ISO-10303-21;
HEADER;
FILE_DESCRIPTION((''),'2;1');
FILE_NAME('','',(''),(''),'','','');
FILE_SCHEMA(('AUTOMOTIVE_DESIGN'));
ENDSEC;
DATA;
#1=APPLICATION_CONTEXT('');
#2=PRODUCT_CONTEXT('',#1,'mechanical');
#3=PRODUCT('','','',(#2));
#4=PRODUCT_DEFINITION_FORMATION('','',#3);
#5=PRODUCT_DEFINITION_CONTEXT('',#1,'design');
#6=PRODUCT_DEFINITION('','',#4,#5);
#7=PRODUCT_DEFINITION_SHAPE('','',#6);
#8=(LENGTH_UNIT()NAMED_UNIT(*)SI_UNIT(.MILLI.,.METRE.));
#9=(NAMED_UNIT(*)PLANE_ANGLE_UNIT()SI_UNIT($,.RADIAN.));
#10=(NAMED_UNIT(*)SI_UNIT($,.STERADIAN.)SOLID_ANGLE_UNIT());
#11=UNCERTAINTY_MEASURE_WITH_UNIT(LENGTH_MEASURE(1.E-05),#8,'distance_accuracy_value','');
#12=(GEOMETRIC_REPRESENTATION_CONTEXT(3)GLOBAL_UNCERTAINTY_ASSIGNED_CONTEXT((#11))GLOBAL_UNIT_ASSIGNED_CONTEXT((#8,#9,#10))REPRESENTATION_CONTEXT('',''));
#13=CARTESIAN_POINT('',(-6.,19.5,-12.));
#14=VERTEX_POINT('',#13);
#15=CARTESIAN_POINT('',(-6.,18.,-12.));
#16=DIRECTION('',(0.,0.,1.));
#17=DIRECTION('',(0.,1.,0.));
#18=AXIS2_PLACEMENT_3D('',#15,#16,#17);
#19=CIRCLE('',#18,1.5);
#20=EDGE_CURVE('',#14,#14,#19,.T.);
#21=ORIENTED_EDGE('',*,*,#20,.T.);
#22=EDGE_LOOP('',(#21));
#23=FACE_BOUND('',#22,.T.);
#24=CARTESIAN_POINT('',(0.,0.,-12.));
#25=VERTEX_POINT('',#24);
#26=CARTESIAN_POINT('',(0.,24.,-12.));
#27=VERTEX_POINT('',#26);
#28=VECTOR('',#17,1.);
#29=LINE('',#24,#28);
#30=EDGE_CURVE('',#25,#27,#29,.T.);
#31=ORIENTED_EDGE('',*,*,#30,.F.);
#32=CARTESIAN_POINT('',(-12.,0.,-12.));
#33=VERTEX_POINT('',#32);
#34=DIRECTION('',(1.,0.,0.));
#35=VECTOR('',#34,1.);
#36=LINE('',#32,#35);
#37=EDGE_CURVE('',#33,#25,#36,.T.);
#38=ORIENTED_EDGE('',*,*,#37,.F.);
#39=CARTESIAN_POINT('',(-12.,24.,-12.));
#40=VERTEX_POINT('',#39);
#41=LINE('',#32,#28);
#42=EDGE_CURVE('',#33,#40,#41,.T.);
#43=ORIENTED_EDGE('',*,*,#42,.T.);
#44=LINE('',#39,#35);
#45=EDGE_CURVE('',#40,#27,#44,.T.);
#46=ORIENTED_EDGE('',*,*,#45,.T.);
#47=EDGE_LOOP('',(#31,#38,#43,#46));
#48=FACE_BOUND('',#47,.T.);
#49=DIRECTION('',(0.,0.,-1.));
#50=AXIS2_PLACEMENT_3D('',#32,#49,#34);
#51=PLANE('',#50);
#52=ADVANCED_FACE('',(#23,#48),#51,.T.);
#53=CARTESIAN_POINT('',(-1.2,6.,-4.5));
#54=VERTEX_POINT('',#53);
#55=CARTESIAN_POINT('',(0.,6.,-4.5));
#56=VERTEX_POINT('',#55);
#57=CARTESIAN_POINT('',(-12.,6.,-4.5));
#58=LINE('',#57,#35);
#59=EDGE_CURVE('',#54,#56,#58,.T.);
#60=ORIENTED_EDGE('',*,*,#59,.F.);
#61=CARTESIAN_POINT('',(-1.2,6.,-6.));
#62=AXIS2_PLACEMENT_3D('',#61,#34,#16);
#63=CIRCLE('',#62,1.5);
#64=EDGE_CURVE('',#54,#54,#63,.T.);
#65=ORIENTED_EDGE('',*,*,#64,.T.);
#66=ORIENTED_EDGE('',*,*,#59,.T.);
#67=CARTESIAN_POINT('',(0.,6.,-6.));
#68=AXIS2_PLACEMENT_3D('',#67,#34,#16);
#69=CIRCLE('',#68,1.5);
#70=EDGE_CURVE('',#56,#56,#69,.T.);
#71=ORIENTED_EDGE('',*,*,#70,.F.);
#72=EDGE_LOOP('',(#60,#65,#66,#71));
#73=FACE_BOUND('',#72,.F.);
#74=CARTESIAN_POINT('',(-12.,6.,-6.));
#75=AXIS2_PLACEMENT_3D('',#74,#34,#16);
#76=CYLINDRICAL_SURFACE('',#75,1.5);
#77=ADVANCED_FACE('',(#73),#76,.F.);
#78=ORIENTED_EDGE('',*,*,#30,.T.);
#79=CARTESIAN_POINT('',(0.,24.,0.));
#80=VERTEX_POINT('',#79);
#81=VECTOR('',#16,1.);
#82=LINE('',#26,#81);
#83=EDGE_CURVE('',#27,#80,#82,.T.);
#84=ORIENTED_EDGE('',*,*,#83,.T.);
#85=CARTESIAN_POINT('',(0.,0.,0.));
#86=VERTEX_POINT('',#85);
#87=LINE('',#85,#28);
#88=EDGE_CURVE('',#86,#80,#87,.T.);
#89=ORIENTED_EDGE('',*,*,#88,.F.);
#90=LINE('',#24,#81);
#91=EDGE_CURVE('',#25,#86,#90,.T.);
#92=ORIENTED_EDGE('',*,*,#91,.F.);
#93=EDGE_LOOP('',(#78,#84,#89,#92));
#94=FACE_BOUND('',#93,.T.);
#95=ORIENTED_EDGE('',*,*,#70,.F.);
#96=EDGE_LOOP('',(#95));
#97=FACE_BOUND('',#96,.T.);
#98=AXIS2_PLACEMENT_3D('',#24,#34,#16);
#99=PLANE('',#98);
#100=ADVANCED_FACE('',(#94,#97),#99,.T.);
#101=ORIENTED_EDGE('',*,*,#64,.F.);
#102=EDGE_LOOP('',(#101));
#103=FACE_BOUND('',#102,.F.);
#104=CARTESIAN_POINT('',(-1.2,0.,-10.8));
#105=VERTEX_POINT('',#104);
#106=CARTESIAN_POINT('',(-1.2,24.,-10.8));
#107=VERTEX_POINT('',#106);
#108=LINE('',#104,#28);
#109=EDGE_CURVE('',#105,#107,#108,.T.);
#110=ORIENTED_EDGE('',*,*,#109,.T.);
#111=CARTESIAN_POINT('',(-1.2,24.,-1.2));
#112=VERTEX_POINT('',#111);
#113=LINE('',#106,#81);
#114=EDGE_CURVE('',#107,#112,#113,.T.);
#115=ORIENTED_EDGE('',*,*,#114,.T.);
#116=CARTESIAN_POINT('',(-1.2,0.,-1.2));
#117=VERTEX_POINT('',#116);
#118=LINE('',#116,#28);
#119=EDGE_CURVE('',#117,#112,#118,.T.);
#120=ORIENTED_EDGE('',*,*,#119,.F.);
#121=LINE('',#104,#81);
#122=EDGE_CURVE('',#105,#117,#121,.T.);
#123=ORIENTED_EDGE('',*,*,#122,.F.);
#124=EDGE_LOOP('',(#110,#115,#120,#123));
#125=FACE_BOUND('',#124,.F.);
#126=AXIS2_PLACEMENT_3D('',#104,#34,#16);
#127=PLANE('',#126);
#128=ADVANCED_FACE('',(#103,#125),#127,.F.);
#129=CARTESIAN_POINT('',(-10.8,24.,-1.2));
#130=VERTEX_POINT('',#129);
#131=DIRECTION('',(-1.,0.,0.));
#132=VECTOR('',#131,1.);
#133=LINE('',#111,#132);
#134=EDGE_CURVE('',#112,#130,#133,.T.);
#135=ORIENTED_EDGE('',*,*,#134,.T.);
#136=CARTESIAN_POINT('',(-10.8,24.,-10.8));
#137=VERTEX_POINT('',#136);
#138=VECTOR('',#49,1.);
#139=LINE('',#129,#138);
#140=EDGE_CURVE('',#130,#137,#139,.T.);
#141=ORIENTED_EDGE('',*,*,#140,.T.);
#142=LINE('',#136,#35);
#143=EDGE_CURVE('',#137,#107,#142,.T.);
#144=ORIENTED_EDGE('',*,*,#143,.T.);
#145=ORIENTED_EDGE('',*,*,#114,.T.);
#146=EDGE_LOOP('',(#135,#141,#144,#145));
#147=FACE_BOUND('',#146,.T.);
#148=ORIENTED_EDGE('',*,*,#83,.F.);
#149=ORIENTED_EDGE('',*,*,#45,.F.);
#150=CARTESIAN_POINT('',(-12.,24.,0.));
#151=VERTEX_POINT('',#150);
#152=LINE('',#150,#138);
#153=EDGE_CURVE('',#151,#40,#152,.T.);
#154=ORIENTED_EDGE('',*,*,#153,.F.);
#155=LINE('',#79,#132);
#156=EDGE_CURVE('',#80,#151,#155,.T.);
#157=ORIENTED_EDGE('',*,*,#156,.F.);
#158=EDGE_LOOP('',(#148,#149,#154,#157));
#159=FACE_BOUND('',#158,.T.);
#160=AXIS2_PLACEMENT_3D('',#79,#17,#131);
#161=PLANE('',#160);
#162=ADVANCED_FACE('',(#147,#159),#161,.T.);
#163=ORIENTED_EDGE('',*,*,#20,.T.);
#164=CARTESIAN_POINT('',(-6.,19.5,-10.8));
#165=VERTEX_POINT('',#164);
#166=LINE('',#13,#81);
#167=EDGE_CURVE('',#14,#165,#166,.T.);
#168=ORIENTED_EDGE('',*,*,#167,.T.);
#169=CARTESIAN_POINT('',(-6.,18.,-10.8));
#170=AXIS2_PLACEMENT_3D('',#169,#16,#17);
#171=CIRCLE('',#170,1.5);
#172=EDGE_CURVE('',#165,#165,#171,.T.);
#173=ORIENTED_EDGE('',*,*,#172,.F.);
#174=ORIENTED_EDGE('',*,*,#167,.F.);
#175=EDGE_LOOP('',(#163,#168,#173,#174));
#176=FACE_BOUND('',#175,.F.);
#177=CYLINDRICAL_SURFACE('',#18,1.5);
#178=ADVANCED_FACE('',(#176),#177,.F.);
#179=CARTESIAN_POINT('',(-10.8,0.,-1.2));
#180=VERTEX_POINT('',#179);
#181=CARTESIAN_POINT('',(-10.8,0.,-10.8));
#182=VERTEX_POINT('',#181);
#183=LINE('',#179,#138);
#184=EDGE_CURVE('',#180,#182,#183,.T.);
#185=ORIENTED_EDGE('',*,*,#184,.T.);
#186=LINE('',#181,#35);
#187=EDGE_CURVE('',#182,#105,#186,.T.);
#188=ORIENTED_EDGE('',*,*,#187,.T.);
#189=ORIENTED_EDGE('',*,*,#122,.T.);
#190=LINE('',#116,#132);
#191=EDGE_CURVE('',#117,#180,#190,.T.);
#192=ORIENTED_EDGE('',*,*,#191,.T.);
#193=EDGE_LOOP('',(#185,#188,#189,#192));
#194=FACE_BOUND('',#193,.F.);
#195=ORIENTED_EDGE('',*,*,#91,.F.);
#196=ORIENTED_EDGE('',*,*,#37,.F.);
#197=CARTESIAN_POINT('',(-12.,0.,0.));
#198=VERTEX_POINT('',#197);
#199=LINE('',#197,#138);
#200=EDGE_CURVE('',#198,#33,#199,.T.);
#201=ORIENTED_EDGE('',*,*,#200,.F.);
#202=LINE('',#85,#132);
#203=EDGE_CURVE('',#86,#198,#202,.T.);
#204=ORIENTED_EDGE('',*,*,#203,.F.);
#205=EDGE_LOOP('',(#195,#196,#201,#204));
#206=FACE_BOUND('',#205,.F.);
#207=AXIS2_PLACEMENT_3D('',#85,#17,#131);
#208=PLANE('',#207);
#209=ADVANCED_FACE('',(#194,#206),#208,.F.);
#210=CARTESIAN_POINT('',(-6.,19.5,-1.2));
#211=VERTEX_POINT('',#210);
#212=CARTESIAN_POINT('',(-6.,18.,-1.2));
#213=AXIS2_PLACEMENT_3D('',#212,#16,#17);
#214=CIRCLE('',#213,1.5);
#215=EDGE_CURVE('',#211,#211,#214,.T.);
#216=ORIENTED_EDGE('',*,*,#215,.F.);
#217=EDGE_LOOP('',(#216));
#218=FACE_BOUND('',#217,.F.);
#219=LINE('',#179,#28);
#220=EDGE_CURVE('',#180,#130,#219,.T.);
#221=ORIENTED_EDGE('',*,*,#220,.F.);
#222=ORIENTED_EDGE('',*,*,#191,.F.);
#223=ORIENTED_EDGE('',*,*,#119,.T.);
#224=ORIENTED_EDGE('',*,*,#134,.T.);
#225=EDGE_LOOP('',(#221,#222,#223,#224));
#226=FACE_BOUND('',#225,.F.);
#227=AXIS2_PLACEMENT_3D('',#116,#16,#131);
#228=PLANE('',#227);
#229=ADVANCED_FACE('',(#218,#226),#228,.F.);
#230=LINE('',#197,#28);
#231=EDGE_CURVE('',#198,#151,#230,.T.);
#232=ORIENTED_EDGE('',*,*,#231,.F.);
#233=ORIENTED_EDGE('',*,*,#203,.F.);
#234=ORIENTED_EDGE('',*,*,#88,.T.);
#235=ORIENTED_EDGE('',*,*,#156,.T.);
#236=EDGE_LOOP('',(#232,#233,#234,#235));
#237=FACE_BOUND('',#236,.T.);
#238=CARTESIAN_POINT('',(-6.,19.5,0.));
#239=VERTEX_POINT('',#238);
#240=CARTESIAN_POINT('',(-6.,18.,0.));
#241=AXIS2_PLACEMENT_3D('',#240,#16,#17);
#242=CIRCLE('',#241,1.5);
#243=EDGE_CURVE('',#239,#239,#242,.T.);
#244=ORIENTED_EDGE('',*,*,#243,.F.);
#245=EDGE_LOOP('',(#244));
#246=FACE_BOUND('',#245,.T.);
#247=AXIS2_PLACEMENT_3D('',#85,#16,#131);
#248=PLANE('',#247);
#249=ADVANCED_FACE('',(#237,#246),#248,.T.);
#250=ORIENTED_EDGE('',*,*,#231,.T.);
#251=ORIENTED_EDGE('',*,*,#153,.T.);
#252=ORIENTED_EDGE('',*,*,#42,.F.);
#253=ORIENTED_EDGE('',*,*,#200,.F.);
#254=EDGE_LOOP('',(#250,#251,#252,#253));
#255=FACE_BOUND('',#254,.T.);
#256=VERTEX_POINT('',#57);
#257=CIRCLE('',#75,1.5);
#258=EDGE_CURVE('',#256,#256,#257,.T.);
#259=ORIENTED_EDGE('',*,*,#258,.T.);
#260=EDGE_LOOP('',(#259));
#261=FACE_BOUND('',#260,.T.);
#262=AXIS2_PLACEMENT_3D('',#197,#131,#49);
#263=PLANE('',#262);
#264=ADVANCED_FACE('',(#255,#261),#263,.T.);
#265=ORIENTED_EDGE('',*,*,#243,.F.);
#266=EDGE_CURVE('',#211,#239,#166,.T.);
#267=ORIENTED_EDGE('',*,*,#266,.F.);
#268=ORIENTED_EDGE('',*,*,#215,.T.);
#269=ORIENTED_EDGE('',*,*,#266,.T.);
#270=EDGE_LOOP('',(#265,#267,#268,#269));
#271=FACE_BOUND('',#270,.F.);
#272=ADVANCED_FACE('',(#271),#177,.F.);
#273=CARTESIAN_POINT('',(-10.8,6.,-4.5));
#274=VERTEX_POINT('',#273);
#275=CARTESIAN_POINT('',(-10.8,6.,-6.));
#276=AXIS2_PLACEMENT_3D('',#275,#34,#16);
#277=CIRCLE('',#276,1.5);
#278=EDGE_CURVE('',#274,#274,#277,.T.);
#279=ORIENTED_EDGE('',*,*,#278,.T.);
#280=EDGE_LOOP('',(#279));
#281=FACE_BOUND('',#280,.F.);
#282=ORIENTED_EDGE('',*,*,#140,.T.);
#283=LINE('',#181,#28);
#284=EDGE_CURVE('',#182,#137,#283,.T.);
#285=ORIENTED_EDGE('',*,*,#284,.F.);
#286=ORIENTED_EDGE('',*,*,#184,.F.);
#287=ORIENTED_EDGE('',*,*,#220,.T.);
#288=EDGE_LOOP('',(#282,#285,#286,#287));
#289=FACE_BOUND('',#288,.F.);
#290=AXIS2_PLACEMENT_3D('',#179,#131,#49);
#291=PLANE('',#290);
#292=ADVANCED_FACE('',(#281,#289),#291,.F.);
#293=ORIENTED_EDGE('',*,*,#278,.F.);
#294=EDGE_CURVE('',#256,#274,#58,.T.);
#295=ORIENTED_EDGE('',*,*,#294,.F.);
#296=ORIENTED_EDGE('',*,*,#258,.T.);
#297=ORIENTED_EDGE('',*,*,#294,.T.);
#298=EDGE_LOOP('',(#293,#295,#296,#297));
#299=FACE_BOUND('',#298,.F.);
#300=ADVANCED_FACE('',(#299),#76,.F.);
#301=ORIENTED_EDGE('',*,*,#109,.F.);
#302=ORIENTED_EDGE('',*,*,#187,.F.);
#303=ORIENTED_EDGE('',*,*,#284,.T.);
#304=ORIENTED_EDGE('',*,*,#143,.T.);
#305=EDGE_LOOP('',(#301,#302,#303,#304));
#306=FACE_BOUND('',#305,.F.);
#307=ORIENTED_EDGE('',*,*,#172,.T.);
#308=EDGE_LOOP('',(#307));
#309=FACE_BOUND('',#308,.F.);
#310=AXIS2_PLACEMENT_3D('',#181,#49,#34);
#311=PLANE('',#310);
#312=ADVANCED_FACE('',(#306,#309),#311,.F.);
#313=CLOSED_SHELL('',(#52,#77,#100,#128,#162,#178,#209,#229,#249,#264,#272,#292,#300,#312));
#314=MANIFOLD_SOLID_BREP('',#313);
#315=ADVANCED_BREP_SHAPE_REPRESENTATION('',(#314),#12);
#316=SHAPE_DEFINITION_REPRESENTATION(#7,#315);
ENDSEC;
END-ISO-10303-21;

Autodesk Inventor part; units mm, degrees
ref_plane "YZ Plane" through (0, 0, 0) normal (1, 0, 0) x (0, 1, 0)
ref_plane "XZ Plane" through (0, 0, 0) normal (0, 1, 0) x (-1, 0, 0)
ref_plane "XY Plane" through (0, 0, 0) normal (0, 0, 1) x (1, 0, 0)
sketch "スケッチ1" plane through (0, 0, 0) normal (0, 1, 0) x (-1, 0, 0)
  line L0 (0, 0) -> (12, 0)
  line L1 (12, 0) -> (12, -12)
  line L2 (12, -12) -> (0, -12)
  line L3 (0, -12) -> (0, 0)
  line L4 (1.2, -1.2) -> (10.8, -1.2)
  line L5 (10.8, -1.2) -> (10.8, -10.8)
  line L6 (10.8, -10.8) -> (1.2, -10.8)
  line L7 (1.2, -10.8) -> (1.2, -1.2)
  dimension "d0" = 12
  dimension "d1" = 12
  dimension "d2" = 9.6
  dimension "d3" = 9.6
  dimension "d4" = 1.2
  dimension "d5" = 1.2
extrude "押し出し1" add sketch "スケッチ1" along normal blind 24
sketch "スケッチ2" plane through (-12, 0, -12) normal (-1, 0, 0) x (0, 0, 1)
  line L0 (0, 0) -> (12, 0) projected
  line L1 (0, 0) -> (0, 24) projected
  point P0 (6, 6)
  dimension "d8" = 6
  dimension "d9" = 6
hole "穴1" at (-12, 6, -6) direction (1, 0, 0) diameter 3 end through all
sketch "スケッチ3" plane through (0, 0, -12) normal (0, 0, -1) x (-1, 0, 0)
  line L0 (0, 0) -> (0, 24) projected
  line L1 (0, 24) -> (12, 24) projected
  point P0 (6, 18)
  dimension "d17" = 6
  dimension "d18" = 6
hole "穴2" at (-6, 18, -12) direction (0, 0, 1) diameter 3 end through all
properties part number "前後直動12x12x24" material "アルミニウム 6061"
